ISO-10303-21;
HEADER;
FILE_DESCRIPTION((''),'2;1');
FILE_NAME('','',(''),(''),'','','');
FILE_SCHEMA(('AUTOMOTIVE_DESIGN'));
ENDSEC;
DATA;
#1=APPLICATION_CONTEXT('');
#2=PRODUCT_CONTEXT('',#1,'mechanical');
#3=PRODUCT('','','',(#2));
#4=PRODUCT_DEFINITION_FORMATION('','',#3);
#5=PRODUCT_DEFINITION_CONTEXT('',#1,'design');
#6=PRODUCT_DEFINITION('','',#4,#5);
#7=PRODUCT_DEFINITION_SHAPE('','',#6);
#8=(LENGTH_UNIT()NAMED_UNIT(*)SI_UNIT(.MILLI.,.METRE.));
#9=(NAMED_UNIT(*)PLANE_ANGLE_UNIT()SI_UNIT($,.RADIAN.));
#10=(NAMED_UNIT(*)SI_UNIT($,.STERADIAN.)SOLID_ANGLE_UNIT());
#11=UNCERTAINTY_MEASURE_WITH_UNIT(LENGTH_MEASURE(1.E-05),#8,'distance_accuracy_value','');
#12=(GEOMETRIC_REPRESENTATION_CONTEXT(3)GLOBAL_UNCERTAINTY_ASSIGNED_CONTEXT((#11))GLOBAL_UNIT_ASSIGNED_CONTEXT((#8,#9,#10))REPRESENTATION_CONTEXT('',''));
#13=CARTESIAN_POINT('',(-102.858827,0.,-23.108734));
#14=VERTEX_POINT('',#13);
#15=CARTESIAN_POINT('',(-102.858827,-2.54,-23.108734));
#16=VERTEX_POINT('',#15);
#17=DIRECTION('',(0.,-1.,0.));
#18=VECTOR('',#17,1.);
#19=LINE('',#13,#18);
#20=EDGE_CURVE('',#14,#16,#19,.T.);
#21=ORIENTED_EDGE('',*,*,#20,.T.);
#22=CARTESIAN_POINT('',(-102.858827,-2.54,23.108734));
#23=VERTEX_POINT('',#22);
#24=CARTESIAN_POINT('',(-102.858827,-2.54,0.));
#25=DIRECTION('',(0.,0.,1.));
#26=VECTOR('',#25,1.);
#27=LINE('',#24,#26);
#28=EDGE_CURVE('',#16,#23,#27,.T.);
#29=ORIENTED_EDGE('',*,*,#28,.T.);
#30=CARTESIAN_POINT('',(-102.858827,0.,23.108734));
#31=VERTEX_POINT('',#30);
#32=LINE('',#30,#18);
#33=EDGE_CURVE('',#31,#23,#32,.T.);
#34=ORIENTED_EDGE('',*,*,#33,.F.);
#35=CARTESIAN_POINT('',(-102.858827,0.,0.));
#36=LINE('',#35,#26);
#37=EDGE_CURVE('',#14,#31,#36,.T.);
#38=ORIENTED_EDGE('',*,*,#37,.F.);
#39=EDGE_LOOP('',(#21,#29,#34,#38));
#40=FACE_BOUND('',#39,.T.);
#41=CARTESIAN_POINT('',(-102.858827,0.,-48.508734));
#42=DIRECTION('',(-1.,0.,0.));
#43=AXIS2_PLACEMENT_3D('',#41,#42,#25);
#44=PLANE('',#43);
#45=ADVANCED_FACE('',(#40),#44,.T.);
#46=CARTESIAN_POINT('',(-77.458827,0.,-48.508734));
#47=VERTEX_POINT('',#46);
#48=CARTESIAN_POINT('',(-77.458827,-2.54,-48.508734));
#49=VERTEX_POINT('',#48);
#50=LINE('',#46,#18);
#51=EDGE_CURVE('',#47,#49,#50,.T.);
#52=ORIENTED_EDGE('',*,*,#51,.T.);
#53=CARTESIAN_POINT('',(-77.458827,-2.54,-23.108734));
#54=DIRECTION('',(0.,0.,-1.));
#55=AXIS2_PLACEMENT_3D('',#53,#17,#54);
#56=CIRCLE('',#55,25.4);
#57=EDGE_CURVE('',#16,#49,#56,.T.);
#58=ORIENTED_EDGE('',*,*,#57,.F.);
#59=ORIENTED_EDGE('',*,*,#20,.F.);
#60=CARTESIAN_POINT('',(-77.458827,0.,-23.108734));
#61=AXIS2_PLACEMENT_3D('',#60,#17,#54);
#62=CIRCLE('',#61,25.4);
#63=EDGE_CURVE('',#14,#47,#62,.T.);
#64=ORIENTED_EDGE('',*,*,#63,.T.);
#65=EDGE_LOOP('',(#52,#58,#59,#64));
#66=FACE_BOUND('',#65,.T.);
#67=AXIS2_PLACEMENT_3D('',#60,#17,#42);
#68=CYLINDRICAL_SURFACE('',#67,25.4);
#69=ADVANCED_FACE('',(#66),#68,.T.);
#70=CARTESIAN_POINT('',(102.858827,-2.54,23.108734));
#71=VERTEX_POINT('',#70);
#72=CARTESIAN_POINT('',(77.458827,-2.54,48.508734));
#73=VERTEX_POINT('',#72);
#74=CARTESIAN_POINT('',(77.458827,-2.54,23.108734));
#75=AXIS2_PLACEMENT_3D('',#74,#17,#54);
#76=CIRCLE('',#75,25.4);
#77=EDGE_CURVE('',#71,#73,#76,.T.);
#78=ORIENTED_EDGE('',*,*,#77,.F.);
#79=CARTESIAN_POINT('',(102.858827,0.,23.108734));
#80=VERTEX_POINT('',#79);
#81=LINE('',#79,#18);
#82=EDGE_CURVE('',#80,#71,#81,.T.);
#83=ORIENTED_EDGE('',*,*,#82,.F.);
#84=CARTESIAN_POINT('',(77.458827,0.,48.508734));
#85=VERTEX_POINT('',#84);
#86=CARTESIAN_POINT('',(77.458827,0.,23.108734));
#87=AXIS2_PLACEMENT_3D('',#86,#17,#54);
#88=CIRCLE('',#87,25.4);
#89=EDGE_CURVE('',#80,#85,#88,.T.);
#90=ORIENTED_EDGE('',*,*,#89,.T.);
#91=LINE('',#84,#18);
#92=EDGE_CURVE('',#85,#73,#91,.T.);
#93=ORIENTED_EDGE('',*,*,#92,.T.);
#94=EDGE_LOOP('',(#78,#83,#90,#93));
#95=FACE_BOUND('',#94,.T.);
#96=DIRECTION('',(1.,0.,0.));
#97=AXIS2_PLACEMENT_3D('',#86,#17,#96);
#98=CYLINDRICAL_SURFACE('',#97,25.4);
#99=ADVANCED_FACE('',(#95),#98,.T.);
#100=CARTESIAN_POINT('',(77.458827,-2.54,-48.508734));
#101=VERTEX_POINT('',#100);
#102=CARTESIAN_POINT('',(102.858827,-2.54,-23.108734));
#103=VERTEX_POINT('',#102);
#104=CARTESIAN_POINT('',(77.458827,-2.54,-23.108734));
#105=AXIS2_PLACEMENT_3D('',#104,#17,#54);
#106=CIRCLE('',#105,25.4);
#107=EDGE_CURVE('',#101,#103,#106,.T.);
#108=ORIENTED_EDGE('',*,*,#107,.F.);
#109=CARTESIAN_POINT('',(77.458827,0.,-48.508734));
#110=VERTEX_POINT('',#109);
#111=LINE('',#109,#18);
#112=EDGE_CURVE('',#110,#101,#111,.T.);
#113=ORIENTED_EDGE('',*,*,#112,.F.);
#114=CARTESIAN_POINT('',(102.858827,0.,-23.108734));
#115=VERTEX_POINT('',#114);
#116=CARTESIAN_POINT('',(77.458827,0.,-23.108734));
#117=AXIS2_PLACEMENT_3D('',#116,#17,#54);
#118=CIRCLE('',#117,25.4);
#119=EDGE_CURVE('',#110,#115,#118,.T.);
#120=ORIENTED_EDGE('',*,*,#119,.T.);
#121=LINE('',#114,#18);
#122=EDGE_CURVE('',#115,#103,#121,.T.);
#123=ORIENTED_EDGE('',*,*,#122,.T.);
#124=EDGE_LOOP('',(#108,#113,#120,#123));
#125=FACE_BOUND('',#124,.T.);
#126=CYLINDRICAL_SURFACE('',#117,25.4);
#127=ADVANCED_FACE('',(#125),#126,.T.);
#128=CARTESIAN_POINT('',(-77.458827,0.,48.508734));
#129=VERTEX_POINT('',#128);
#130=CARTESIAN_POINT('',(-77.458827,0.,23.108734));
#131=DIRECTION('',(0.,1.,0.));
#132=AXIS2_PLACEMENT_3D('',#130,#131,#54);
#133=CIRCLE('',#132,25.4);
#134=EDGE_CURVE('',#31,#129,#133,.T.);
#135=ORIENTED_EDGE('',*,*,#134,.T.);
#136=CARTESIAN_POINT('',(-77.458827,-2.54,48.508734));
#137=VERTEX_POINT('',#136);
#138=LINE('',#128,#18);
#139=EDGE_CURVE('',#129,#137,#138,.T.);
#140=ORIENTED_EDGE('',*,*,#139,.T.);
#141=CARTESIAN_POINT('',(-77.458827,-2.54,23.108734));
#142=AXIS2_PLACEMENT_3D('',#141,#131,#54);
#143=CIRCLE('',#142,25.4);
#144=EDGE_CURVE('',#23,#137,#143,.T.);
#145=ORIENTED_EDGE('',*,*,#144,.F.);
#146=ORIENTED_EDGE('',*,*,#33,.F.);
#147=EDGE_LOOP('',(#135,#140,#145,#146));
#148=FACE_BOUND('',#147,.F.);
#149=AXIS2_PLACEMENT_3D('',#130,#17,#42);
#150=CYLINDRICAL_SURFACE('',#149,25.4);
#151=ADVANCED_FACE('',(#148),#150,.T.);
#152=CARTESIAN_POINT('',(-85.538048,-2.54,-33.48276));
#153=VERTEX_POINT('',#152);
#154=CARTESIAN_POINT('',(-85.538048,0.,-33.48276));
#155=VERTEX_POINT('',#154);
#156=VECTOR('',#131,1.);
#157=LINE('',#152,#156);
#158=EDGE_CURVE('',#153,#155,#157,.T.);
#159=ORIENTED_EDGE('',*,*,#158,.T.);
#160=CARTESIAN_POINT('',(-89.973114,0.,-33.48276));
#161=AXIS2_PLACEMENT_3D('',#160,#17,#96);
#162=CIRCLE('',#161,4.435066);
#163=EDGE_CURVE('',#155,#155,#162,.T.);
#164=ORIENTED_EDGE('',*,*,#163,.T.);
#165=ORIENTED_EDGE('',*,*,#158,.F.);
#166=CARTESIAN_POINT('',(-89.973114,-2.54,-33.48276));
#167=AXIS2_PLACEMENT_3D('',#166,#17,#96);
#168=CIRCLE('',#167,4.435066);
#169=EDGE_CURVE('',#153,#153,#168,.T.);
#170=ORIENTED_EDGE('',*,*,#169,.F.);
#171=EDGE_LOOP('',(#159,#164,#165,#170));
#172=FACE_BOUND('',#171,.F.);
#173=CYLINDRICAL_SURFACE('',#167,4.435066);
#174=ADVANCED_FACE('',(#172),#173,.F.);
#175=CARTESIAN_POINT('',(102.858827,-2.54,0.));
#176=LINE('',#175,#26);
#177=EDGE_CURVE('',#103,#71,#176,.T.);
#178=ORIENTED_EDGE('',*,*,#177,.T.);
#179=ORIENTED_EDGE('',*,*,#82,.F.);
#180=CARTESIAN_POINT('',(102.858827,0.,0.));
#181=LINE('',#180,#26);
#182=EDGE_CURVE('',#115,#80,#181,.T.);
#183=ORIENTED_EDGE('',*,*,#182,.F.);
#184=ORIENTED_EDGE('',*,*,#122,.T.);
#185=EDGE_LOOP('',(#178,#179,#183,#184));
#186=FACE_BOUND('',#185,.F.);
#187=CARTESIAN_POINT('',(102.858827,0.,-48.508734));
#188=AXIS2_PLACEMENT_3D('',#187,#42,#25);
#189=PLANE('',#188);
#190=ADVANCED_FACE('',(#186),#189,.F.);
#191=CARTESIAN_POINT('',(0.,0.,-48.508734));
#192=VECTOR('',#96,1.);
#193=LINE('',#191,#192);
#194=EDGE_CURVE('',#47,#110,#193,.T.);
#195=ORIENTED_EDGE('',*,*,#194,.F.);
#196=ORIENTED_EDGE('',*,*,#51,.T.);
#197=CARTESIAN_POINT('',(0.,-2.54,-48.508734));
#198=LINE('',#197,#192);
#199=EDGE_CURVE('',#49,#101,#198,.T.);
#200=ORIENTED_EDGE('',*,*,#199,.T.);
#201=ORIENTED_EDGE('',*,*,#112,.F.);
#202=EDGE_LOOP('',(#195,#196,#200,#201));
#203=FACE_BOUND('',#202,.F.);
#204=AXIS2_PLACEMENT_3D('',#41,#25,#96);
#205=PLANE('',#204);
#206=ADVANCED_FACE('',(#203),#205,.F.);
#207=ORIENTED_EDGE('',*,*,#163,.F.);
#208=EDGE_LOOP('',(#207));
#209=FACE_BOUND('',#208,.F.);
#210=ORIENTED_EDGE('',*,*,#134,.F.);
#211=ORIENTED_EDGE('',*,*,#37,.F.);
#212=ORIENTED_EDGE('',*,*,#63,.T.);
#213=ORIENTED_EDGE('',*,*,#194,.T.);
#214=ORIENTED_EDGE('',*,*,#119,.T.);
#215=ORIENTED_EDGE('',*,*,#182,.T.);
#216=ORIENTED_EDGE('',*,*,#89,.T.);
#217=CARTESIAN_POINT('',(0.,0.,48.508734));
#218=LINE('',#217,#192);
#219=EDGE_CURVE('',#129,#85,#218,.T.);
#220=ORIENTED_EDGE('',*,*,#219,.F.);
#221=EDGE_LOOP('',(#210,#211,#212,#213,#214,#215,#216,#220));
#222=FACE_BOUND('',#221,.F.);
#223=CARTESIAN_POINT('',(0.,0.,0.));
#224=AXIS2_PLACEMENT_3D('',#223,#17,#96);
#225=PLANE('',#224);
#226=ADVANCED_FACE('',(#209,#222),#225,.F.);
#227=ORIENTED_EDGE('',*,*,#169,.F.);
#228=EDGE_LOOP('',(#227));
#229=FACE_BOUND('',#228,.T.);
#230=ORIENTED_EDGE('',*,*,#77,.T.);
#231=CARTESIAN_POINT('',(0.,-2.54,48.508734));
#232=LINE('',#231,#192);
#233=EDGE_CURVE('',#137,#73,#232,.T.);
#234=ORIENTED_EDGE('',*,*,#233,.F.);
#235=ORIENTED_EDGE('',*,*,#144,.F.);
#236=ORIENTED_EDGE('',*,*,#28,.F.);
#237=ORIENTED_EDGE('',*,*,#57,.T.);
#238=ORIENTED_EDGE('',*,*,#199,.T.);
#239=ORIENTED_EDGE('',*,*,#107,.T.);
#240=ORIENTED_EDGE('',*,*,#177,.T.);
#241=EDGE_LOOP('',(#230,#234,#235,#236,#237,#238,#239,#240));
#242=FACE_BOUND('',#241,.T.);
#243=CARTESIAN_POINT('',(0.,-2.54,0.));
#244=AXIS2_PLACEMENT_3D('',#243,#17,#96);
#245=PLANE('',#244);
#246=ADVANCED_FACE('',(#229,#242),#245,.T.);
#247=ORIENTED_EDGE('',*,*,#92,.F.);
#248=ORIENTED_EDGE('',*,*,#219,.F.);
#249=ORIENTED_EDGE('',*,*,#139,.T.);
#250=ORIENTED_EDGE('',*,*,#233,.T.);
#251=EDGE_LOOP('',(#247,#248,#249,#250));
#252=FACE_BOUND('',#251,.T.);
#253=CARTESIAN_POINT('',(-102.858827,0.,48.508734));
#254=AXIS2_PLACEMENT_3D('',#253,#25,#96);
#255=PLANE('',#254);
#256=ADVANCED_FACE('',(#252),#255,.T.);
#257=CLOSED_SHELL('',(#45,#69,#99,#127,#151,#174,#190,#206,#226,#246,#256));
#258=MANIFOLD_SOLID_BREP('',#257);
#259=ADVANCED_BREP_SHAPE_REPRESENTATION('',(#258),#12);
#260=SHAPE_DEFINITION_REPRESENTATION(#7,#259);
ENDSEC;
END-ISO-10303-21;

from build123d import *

# Parameters (mm, degrees)
F0_W     = 205.717654
F0_H     = 97.017468
F1_DEPTH = 2.54
F2_R     = 25.4
F3_R     = 4.435066
F4_DEPTH = 2.54


with BuildPart() as f1:
    # F0 (on Front) → F1 (new body)
    with BuildSketch(Plane.XZ):
        Rectangle(F0_W, F0_H)
    extrude(amount=F1_DEPTH)

    # F2
    f2_edges = [f1.edges().sort_by_distance(p)[0] for p in [
        (102.858827, -1.27, 48.508734),
        (102.858827, -1.27, -48.508734),
        (-102.858827, -1.27, -48.508734),
        (-102.858827, -1.27, 48.508734),
    ]]
    fillet(f2_edges, radius=F2_R)

    # F3 (on face) → F4 (cut)
    with BuildSketch(Plane.XZ.offset(2.54)):
        with Locations((-89.973114, -33.48276)):
            Circle(F3_R)
    extrude(amount=-F4_DEPTH, mode=Mode.SUBTRACT)


solid = f1.part
